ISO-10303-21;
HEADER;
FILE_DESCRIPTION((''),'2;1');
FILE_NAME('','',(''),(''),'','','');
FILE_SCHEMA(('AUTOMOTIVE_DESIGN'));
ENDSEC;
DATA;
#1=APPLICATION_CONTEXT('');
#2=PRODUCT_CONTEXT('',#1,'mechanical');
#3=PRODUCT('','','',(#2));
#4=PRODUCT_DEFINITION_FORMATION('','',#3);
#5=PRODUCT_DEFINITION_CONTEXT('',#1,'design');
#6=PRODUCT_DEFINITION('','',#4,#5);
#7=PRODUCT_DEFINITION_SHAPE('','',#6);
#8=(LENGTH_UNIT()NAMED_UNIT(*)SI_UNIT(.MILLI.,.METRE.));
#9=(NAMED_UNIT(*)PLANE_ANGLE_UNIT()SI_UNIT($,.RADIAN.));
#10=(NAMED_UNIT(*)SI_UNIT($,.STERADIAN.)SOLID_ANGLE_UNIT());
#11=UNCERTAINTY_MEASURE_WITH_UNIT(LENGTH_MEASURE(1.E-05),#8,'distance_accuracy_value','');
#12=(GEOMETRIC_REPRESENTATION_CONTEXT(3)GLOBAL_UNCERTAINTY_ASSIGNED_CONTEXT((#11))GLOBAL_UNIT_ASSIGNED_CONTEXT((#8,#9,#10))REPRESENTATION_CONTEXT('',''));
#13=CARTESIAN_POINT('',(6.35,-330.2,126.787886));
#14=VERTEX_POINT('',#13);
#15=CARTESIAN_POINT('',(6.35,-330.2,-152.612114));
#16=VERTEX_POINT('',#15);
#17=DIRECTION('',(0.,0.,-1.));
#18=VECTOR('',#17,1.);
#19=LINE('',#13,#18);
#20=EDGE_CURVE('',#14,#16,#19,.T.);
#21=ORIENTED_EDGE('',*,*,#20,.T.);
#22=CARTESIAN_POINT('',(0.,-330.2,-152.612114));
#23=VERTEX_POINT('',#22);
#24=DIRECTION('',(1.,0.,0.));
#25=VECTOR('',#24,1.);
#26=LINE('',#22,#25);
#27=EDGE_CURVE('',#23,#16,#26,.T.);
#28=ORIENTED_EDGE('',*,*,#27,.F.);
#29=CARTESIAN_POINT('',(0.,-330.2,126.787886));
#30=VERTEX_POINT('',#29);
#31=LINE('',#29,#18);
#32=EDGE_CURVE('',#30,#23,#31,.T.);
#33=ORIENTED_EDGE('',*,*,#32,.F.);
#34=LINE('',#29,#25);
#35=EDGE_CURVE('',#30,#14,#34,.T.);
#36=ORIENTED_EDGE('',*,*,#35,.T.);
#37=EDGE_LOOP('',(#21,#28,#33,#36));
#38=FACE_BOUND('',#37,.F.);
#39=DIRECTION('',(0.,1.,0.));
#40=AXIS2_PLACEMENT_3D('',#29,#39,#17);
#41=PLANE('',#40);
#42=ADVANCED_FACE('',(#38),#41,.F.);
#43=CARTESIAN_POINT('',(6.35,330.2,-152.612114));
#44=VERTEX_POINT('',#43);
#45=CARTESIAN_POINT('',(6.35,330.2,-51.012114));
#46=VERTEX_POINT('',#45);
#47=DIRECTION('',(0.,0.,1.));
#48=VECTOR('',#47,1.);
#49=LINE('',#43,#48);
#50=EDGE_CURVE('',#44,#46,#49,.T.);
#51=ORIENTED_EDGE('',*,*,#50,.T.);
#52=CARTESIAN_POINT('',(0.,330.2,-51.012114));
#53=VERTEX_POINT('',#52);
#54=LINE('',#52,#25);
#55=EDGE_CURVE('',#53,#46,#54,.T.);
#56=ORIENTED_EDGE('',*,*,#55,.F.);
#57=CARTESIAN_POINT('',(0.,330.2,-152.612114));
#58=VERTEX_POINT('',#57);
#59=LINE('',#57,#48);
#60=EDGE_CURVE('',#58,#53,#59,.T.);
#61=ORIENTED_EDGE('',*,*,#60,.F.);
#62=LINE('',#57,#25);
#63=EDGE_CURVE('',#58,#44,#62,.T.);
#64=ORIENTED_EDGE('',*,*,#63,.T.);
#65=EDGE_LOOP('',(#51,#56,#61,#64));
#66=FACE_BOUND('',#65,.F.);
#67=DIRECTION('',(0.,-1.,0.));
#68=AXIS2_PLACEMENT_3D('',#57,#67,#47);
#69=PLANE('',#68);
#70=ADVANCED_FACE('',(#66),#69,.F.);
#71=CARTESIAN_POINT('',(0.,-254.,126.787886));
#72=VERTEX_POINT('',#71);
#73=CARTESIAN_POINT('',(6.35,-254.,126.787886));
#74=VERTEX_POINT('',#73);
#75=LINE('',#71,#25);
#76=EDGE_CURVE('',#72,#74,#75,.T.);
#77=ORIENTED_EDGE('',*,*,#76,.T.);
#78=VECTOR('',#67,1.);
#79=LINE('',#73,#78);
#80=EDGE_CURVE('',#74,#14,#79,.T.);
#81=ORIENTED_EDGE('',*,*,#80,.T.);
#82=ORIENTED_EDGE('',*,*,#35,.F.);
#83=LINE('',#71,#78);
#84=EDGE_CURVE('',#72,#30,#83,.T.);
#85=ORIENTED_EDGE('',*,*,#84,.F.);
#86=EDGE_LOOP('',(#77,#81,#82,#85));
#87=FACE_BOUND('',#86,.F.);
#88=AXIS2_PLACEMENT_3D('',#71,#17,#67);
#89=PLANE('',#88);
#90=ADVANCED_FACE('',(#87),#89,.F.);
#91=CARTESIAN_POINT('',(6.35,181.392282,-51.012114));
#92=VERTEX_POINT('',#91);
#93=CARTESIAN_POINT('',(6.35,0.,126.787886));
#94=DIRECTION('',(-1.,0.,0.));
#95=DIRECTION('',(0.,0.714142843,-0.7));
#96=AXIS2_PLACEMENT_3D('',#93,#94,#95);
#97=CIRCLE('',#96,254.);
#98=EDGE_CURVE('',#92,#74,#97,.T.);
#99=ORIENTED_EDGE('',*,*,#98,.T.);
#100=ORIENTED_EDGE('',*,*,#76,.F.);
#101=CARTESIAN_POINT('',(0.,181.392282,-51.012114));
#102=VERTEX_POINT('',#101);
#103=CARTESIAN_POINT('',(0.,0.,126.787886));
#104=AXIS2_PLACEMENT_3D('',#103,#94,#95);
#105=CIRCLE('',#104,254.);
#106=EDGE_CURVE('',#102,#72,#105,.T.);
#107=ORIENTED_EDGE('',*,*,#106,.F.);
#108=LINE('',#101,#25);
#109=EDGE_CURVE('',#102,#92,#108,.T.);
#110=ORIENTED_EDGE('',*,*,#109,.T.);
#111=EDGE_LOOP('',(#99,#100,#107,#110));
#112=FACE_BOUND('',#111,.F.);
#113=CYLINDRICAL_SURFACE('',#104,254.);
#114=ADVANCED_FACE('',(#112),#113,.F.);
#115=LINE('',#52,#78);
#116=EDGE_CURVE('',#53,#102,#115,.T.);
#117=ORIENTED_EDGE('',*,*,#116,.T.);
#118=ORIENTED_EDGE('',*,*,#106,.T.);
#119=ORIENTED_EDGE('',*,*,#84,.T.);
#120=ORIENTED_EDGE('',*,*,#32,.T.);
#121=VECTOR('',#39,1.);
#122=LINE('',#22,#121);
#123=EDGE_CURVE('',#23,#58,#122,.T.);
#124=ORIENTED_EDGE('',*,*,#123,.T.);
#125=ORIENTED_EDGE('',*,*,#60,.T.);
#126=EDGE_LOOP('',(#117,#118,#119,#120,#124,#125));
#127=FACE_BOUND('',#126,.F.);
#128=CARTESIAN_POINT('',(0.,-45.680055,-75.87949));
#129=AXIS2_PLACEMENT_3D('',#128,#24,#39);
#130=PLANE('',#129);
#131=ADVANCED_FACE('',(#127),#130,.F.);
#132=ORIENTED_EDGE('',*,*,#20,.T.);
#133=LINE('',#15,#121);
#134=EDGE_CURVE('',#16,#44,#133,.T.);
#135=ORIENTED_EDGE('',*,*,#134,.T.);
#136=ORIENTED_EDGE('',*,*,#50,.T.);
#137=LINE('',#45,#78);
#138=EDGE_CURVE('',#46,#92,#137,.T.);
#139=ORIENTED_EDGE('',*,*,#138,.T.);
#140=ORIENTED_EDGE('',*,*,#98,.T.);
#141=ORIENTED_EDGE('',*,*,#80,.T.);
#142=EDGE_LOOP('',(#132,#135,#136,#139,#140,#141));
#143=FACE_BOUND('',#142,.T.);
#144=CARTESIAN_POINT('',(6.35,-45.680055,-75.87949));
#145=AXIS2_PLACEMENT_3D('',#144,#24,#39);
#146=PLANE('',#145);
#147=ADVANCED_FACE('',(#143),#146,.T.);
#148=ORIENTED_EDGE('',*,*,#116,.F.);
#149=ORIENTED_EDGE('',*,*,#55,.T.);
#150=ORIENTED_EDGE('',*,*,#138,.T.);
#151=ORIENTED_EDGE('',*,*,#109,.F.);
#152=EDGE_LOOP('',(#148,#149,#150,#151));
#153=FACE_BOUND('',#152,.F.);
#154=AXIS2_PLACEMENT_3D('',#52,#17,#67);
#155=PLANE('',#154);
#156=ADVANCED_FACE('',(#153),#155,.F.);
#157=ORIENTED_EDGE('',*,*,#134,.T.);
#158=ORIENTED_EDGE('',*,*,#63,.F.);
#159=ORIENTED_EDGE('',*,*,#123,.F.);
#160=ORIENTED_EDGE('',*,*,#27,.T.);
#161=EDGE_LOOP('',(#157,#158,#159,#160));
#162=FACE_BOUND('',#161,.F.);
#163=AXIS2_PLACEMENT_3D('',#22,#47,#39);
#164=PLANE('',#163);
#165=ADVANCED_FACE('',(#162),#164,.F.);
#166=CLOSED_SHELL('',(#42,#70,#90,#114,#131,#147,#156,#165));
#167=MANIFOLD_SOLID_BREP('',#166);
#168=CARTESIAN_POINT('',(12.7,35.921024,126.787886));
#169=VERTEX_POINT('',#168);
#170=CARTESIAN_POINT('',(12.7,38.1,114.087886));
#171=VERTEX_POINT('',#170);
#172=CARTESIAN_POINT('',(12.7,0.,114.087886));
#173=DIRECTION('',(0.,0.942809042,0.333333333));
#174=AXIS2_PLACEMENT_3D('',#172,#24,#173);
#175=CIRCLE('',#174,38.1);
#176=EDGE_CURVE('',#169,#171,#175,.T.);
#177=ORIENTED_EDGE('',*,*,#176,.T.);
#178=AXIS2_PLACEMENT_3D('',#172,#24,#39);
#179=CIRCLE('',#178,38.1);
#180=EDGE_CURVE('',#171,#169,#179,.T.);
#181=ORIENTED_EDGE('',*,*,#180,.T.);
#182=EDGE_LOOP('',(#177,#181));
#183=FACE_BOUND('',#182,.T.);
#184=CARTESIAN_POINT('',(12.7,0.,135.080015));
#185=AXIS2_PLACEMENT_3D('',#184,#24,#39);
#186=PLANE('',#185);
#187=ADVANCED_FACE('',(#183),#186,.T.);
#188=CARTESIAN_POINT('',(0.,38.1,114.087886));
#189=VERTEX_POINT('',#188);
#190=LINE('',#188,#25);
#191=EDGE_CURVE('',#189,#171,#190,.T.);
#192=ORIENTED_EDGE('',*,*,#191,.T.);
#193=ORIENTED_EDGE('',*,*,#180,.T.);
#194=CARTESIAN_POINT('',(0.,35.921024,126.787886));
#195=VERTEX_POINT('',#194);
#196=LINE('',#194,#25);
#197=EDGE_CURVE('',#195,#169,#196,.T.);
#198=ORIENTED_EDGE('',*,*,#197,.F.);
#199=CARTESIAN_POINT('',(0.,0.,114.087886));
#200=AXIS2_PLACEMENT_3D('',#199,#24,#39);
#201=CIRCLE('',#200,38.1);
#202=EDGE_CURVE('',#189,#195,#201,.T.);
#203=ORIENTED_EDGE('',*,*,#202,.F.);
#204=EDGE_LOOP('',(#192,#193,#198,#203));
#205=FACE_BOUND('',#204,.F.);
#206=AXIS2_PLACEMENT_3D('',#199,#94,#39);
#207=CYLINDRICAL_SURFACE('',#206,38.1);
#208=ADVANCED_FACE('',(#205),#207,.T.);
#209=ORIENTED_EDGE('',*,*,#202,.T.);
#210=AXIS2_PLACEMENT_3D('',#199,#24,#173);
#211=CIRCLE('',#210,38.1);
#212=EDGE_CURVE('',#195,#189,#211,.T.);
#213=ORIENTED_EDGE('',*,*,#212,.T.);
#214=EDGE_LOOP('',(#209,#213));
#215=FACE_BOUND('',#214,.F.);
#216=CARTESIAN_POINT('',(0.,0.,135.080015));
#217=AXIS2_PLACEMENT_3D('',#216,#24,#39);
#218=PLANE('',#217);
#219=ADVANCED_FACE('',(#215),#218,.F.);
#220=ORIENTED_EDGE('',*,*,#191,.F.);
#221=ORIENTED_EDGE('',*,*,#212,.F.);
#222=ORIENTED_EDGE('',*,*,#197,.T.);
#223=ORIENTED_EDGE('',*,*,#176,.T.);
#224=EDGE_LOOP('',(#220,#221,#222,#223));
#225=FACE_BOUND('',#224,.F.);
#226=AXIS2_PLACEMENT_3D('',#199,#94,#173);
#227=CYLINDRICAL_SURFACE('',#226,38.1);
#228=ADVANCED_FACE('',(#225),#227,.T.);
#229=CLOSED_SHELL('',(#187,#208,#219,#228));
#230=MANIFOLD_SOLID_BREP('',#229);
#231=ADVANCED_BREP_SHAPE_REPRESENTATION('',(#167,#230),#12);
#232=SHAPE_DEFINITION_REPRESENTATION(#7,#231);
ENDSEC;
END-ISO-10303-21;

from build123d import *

# Parameters (mm, degrees)
F1_DEPTH = 6.35
F2_DEPTH = 12.7


with BuildPart() as f1:
    # F0 (on Right) → F1 (new body)
    with BuildSketch(Plane.YZ):
        with BuildLine():
            Line((330.2, -51.0121139765), (181.392282085, -51.0121139765))
            ThreePointArc((181.392282085, -51.0121139765), (-96.026976289, -108.3606198718), (-254, 126.7878860235))
            Line((-254, 126.7878860235), (-330.2, 126.7878860235))
            Line((-330.2, 126.7878860235), (-330.2, -152.6121139765))
            Line((-330.2, -152.6121139765), (330.2, -152.6121139765))
            Line((330.2, -152.6121139765), (330.2, -51.0121139765))
        make_face()
    extrude(amount=F1_DEPTH)


with BuildPart() as f2:
    # F0 (on Right) → F2 (new body)
    with BuildSketch(Plane.YZ):
        with BuildLine():
            Line((-35.9210244843, 126.7878860235), (35.9210244843, 126.7878860235))
            ThreePointArc((35.9210244843, 126.7878860235), (0, 152.1878860235), (-35.9210244843, 126.7878860235))
        make_face()
        with BuildLine():
            ThreePointArc((38.1, 114.0878860235), (37.5513051228, 120.530671413), (35.9210244843, 126.7878860235))
            Line((35.9210244843, 126.7878860235), (-35.9210244843, 126.7878860235))
            ThreePointArc((-35.9210244843, 126.7878860235), (-6.4427853895, 76.5365809007), (38.1, 114.0878860235))
        make_face()
    extrude(amount=F2_DEPTH)


solid = Compound([f1.part, f2.part])
